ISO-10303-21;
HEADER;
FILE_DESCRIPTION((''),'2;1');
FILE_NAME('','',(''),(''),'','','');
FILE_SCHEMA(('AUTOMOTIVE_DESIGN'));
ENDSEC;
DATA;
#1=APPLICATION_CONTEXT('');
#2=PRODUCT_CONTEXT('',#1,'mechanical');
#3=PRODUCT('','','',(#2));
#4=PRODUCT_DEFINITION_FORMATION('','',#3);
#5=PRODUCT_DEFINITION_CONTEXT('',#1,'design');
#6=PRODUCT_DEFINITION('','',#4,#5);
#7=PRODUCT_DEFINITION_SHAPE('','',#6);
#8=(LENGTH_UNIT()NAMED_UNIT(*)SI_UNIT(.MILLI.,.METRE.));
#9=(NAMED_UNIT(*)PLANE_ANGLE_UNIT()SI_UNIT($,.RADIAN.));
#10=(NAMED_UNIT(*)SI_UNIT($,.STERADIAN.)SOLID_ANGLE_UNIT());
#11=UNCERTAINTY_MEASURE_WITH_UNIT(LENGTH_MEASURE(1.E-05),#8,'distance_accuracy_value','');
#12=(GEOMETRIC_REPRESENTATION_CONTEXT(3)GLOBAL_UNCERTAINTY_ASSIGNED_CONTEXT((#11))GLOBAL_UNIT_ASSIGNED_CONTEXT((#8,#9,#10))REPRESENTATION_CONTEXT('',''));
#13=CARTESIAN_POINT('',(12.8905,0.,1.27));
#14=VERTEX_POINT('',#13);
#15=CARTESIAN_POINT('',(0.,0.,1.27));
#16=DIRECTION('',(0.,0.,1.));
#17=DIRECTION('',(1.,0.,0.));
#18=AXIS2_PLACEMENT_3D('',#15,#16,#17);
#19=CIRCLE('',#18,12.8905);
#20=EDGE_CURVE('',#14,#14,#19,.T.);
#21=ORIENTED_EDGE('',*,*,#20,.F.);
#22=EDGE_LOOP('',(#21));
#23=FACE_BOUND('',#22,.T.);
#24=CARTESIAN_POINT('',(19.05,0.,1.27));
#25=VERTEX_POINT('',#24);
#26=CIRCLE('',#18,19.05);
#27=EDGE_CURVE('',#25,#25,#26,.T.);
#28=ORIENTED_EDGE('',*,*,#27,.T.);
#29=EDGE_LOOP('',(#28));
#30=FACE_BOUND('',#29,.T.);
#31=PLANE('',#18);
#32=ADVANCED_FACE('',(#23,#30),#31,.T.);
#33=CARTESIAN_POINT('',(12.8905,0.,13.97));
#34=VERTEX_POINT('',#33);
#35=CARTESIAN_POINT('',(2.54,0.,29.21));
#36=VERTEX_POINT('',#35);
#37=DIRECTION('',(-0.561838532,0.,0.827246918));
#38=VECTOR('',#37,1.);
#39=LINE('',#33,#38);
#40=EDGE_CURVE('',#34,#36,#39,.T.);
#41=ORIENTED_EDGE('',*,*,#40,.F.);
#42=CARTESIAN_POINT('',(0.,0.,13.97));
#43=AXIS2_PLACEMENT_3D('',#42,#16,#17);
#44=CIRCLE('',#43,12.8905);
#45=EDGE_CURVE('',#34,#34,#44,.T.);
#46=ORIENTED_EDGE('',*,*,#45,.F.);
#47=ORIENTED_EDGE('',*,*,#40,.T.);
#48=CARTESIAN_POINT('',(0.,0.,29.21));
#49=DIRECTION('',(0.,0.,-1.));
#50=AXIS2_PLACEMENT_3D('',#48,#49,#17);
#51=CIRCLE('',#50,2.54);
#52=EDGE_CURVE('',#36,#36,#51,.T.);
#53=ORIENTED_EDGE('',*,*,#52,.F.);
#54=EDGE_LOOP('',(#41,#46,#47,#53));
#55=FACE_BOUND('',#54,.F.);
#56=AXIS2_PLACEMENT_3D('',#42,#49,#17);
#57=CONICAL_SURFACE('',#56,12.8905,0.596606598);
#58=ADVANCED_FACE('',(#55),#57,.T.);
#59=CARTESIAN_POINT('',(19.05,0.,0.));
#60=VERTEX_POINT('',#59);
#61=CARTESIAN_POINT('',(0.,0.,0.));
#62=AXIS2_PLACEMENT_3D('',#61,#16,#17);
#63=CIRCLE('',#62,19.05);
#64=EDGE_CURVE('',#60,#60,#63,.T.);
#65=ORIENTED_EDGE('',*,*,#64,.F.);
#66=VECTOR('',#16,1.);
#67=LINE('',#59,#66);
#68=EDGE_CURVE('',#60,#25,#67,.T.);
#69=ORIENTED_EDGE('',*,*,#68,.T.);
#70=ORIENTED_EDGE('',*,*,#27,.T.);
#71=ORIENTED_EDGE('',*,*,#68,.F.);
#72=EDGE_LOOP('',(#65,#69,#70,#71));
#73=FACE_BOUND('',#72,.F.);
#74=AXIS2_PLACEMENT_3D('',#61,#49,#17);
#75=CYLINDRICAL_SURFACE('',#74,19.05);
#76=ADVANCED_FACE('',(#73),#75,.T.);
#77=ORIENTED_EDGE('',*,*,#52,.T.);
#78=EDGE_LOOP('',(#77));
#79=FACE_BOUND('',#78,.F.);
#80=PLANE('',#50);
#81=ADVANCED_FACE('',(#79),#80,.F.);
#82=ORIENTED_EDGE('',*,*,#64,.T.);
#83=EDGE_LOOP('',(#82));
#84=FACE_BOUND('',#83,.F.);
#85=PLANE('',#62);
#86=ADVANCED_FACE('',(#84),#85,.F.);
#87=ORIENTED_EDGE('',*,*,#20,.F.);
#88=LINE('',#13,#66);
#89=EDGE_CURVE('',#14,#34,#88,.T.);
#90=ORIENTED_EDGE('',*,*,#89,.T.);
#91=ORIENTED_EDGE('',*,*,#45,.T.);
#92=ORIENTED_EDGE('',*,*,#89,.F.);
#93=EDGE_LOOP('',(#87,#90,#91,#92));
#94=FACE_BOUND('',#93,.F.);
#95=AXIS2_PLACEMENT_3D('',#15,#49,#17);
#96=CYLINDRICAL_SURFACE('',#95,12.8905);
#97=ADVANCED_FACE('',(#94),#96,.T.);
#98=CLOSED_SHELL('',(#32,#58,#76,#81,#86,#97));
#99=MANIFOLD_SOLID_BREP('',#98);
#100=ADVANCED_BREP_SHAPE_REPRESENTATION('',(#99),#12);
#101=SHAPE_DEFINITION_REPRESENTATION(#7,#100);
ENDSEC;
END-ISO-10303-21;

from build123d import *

# Parameters (mm, degrees)
F0_R     = 19.05
F1_DEPTH = 1.27
F2_R     = 12.8905
F3_DEPTH = 12.7


with BuildPart() as f1:
    # F0 (on Top) → F1 (new body)
    with BuildSketch(Plane.XY):
        Circle(F0_R)
    extrude(amount=F1_DEPTH)

    # F2 (on face) → F3 (join)
    with BuildSketch(Plane.XY.offset(1.27)):
        Circle(F2_R)
    extrude(amount=F3_DEPTH)

    # F4 (on Front) → F5 (revolve)
    with BuildSketch(Plane.XZ):
        Polygon((2.54, 29.21), (0, 29.21), (0, 13.97), (12.8905, 13.97), align=None)
    revolve(axis=Axis((0, 0, 1.27), (0, 0, -1)))


solid = f1.part
